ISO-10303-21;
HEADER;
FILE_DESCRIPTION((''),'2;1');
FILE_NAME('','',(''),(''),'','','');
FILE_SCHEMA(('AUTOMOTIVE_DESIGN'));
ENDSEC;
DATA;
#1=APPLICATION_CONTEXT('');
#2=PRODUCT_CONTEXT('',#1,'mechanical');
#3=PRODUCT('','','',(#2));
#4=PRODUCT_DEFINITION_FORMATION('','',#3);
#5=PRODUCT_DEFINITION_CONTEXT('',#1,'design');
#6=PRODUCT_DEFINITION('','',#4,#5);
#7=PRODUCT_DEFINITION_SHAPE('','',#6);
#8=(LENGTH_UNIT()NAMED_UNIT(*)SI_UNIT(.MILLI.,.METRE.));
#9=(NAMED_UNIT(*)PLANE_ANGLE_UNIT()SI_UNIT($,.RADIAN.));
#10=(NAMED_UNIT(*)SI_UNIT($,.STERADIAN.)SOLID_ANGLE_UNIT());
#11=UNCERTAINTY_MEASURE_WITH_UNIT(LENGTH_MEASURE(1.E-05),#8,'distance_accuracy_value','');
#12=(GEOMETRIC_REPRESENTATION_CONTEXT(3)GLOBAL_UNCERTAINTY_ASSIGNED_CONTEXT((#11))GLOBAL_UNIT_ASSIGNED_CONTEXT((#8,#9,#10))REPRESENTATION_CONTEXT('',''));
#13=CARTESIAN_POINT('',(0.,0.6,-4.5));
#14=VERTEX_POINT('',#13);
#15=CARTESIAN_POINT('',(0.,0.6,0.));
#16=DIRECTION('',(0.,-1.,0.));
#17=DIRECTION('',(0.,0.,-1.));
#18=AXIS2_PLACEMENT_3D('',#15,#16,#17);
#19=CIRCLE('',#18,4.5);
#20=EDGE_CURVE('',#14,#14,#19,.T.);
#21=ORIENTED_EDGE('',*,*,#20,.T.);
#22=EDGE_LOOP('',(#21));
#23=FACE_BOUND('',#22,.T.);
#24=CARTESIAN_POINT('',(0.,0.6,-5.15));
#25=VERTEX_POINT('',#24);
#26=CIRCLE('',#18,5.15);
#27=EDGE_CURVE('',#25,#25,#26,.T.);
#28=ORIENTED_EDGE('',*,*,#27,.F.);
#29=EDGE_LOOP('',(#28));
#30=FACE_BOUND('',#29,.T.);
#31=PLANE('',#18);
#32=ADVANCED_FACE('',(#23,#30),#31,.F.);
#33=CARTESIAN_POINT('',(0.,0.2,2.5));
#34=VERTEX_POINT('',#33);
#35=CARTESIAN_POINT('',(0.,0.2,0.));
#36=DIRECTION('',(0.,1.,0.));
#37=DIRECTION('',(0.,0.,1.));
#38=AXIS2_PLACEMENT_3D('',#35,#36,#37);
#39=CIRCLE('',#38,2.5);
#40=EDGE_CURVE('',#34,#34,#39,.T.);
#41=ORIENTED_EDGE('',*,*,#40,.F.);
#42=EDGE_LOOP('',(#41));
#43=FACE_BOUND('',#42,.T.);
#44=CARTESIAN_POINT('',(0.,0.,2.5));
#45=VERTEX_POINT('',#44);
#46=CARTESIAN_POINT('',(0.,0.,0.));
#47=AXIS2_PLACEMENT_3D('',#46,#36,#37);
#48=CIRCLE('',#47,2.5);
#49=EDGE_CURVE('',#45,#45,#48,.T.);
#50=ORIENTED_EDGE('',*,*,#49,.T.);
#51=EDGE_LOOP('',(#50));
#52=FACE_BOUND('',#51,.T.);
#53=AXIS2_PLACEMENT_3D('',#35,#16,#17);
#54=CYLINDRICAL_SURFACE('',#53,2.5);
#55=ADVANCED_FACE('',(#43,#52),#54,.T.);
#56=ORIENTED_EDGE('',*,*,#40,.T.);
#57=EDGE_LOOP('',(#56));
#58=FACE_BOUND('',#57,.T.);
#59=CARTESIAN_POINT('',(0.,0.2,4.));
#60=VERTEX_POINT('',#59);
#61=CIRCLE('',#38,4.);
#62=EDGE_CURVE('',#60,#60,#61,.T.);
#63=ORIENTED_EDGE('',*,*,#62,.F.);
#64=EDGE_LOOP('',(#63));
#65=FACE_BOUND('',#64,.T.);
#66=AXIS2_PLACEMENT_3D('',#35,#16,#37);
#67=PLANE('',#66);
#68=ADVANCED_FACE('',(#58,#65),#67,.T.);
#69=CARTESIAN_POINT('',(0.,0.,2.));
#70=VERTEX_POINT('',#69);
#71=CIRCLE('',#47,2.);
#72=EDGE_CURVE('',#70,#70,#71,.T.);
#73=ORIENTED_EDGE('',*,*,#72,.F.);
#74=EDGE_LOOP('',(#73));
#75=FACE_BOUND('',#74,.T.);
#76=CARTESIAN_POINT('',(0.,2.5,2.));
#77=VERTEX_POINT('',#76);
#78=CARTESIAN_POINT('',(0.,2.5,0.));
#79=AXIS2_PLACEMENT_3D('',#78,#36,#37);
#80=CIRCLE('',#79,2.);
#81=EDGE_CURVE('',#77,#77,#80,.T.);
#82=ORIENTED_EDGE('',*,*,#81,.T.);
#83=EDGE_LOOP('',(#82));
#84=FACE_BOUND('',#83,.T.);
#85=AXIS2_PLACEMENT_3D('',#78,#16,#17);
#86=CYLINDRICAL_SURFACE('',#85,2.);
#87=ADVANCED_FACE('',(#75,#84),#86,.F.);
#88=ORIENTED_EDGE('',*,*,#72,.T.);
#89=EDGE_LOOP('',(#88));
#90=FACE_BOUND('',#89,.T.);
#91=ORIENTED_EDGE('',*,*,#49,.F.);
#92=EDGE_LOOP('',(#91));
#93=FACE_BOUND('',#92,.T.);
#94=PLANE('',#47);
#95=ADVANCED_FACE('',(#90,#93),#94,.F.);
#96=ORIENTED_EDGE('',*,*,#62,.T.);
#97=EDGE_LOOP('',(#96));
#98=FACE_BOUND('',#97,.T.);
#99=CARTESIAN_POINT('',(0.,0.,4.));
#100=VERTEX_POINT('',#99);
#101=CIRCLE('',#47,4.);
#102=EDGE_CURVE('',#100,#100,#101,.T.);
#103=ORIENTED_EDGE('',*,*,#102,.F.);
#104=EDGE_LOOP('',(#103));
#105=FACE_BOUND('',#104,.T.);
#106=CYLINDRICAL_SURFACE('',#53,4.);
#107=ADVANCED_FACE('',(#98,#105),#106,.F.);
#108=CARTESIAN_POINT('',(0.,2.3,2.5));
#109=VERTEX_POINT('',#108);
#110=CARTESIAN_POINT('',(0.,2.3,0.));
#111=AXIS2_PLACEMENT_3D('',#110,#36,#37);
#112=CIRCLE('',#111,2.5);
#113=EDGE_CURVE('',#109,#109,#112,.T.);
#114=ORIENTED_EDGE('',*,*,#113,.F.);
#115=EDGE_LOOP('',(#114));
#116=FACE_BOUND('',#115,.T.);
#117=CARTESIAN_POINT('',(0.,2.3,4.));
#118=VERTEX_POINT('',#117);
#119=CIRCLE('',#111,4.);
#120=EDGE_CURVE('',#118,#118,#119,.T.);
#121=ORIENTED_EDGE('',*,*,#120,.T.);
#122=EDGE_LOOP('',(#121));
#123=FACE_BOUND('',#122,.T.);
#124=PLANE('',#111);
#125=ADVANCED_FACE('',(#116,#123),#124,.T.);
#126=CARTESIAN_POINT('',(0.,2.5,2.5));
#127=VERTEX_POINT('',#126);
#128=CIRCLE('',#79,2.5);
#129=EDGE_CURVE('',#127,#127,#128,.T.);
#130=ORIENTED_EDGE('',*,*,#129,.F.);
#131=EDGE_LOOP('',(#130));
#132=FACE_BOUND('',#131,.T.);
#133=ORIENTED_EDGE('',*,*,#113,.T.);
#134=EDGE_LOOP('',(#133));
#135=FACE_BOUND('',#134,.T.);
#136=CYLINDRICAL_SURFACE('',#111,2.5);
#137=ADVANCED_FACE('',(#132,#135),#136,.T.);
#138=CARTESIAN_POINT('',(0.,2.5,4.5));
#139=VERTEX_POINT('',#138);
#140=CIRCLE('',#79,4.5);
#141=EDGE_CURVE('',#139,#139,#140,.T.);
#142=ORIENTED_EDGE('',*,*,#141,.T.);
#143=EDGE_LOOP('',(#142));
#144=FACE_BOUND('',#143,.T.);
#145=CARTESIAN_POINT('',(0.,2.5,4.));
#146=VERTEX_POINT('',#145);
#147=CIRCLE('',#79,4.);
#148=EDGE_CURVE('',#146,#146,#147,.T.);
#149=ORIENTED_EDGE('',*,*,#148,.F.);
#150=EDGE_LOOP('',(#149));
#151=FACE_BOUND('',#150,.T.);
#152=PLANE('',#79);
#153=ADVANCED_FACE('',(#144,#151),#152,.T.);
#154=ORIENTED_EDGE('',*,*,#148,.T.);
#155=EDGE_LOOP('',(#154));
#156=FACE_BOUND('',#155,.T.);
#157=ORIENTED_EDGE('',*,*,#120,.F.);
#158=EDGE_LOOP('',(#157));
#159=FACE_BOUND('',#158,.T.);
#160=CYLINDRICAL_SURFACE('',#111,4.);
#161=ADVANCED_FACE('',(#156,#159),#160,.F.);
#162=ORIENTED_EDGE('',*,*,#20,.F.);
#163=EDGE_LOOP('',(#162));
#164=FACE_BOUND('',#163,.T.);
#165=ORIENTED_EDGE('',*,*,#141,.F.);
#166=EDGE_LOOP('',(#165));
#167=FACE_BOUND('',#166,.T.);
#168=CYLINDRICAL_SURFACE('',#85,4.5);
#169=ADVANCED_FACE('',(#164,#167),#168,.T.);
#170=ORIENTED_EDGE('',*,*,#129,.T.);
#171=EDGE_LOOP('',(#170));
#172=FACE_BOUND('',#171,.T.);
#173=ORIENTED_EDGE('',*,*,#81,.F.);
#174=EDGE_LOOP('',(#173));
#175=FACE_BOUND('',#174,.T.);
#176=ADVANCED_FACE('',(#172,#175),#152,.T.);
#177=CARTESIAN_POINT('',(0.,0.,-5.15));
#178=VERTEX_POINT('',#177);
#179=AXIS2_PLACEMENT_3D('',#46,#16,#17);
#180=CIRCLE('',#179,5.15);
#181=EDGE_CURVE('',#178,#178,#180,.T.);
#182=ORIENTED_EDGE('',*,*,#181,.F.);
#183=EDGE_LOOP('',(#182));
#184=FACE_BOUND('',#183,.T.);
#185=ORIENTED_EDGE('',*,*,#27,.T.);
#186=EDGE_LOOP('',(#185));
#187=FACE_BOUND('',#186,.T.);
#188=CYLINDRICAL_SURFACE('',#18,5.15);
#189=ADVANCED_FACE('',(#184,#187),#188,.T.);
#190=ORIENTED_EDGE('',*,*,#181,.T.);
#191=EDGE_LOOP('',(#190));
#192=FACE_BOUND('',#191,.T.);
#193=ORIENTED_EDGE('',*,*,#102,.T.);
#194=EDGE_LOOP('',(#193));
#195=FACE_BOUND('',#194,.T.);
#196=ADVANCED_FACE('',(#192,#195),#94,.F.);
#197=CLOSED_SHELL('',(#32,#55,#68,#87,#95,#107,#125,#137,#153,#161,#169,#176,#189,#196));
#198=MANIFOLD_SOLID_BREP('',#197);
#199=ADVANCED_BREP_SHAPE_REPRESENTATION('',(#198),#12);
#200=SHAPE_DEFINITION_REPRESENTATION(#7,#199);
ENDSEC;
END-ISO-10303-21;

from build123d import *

# Parameters (mm, degrees)
SKETCH_1_R          = 4.5
SKETCH_1_R_2        = 2
EXTRUDE_1_DEPTH     = 2.5
SKETCH_2_R          = 5.15
SKETCH_2_R_2        = 2
EXTRUDE_2_DEPTH     = 0.6
SKETCH_4_R          = 4
SKETCH_4_R_2        = 2.5
CUT_EXTRUDE_1_DEPTH = 0.2


with BuildPart() as part:
    # 草图1 → 凸台-拉伸1 (new body)
    with BuildSketch(Plane(origin=(0, 0, 0), x_dir=(1, 0, 0), z_dir=(0, 1, 0))):
        with Locations(Location((0, 0, 0), (0, 0, 270))):
            Circle(SKETCH_1_R)
        with Locations(Location((0, 0, 0), (0, 0, 270))):
            Circle(SKETCH_1_R_2, mode=Mode.SUBTRACT)
    extrude(amount=EXTRUDE_1_DEPTH)

    # 草图2 → 凸台-拉伸2 (add)
    with BuildSketch(Plane.XZ):
        with Locations(Location((0, 0, 0), (0, 0, 270))):
            Circle(SKETCH_2_R)
        with Locations(Location((0, 0, 0), (0, 0, 90))):
            Circle(SKETCH_2_R_2, mode=Mode.SUBTRACT)
    extrude(amount=-EXTRUDE_2_DEPTH)

    # 草图4 → 切除-拉伸1 (cut)
    with BuildSketch(Plane(origin=(0, 2.5, 0), x_dir=(1, 0, 0), z_dir=(0, 1, 0))):
        with Locations(Location((0, 0, 0), (0, 0, 270))):
            Circle(SKETCH_4_R)
        with Locations(Location((0, 0, 0), (0, 0, 270))):
            Circle(SKETCH_4_R_2, mode=Mode.SUBTRACT)
    cut_extrude_1 = extrude(amount=-CUT_EXTRUDE_1_DEPTH, mode=Mode.SUBTRACT)

    # 镜向1: 切除-拉伸1 across plane
    add(cut_extrude_1.mirror(Plane(origin=(0, 1.25, 0), x_dir=(0, 0, 1), z_dir=(0, -1, 0))), mode=Mode.SUBTRACT)


solid = part.part
